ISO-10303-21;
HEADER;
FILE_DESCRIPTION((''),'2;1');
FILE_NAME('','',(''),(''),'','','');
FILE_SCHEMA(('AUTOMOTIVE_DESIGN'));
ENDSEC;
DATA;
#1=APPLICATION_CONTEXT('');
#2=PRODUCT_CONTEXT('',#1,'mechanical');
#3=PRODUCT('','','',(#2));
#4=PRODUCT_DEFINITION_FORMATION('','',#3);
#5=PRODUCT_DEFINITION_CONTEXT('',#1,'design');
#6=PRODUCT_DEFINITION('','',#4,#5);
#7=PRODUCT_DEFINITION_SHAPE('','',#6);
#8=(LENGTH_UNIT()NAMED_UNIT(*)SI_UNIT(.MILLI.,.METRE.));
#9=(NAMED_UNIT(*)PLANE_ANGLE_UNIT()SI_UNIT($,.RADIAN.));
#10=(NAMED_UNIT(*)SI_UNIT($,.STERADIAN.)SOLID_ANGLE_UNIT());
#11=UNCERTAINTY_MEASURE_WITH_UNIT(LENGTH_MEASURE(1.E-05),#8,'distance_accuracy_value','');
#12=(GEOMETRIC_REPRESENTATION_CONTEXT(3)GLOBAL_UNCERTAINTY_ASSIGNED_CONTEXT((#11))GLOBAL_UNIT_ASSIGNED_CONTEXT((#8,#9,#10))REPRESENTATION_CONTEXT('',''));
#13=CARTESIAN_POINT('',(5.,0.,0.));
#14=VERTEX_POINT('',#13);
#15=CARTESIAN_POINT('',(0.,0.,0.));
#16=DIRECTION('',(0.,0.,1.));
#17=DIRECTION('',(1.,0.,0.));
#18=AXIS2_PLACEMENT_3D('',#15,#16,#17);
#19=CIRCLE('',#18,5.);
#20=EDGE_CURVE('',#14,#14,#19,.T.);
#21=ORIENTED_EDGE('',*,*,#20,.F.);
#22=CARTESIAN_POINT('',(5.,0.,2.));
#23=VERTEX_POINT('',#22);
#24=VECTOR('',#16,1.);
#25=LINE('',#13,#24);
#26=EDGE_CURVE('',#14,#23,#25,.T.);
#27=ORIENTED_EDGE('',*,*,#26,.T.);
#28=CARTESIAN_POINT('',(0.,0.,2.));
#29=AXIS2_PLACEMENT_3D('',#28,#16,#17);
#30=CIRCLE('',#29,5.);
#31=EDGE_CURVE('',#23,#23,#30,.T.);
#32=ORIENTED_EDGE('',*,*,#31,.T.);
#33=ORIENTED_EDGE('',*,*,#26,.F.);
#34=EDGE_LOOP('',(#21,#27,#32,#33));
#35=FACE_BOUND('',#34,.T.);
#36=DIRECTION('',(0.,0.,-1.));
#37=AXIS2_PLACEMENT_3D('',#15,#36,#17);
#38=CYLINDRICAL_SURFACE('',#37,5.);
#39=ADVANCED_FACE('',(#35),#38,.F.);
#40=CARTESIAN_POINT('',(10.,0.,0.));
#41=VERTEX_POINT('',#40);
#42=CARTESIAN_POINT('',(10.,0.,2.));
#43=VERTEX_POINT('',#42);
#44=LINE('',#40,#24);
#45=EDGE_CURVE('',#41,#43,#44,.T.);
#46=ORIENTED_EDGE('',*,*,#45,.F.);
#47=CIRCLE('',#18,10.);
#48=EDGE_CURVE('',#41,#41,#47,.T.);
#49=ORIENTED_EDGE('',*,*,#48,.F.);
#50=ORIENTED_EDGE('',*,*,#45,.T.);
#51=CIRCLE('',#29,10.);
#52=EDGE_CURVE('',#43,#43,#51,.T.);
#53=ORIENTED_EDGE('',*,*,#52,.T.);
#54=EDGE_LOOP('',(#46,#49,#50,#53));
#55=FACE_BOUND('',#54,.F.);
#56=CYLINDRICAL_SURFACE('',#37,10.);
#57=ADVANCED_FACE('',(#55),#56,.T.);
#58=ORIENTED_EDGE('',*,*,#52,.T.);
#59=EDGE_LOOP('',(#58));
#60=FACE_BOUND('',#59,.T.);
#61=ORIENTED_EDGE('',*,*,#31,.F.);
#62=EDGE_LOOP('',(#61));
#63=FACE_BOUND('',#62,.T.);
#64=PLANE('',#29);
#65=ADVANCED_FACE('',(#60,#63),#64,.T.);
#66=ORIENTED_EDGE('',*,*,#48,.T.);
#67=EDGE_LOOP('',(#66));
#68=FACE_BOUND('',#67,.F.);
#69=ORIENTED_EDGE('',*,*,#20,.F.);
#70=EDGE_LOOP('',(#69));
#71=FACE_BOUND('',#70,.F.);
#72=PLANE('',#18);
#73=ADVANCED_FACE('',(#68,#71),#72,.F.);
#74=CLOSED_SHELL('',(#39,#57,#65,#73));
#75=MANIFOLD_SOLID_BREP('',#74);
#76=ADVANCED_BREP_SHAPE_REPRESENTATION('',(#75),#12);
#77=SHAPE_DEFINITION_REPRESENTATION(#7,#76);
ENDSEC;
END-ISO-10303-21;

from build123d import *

# Parameters (mm, degrees)
ESQUISSE1_R        = 10
ESQUISSE1_R_2      = 5
BOSS_EXTRU_1_DEPTH = 2


with BuildPart() as part:
    # Esquisse1 → Boss.-Extru.1 (new body)
    with BuildSketch(Plane.XY):
        Circle(ESQUISSE1_R)
        Circle(ESQUISSE1_R_2, mode=Mode.SUBTRACT)
    extrude(amount=BOSS_EXTRU_1_DEPTH)


solid = part.part
